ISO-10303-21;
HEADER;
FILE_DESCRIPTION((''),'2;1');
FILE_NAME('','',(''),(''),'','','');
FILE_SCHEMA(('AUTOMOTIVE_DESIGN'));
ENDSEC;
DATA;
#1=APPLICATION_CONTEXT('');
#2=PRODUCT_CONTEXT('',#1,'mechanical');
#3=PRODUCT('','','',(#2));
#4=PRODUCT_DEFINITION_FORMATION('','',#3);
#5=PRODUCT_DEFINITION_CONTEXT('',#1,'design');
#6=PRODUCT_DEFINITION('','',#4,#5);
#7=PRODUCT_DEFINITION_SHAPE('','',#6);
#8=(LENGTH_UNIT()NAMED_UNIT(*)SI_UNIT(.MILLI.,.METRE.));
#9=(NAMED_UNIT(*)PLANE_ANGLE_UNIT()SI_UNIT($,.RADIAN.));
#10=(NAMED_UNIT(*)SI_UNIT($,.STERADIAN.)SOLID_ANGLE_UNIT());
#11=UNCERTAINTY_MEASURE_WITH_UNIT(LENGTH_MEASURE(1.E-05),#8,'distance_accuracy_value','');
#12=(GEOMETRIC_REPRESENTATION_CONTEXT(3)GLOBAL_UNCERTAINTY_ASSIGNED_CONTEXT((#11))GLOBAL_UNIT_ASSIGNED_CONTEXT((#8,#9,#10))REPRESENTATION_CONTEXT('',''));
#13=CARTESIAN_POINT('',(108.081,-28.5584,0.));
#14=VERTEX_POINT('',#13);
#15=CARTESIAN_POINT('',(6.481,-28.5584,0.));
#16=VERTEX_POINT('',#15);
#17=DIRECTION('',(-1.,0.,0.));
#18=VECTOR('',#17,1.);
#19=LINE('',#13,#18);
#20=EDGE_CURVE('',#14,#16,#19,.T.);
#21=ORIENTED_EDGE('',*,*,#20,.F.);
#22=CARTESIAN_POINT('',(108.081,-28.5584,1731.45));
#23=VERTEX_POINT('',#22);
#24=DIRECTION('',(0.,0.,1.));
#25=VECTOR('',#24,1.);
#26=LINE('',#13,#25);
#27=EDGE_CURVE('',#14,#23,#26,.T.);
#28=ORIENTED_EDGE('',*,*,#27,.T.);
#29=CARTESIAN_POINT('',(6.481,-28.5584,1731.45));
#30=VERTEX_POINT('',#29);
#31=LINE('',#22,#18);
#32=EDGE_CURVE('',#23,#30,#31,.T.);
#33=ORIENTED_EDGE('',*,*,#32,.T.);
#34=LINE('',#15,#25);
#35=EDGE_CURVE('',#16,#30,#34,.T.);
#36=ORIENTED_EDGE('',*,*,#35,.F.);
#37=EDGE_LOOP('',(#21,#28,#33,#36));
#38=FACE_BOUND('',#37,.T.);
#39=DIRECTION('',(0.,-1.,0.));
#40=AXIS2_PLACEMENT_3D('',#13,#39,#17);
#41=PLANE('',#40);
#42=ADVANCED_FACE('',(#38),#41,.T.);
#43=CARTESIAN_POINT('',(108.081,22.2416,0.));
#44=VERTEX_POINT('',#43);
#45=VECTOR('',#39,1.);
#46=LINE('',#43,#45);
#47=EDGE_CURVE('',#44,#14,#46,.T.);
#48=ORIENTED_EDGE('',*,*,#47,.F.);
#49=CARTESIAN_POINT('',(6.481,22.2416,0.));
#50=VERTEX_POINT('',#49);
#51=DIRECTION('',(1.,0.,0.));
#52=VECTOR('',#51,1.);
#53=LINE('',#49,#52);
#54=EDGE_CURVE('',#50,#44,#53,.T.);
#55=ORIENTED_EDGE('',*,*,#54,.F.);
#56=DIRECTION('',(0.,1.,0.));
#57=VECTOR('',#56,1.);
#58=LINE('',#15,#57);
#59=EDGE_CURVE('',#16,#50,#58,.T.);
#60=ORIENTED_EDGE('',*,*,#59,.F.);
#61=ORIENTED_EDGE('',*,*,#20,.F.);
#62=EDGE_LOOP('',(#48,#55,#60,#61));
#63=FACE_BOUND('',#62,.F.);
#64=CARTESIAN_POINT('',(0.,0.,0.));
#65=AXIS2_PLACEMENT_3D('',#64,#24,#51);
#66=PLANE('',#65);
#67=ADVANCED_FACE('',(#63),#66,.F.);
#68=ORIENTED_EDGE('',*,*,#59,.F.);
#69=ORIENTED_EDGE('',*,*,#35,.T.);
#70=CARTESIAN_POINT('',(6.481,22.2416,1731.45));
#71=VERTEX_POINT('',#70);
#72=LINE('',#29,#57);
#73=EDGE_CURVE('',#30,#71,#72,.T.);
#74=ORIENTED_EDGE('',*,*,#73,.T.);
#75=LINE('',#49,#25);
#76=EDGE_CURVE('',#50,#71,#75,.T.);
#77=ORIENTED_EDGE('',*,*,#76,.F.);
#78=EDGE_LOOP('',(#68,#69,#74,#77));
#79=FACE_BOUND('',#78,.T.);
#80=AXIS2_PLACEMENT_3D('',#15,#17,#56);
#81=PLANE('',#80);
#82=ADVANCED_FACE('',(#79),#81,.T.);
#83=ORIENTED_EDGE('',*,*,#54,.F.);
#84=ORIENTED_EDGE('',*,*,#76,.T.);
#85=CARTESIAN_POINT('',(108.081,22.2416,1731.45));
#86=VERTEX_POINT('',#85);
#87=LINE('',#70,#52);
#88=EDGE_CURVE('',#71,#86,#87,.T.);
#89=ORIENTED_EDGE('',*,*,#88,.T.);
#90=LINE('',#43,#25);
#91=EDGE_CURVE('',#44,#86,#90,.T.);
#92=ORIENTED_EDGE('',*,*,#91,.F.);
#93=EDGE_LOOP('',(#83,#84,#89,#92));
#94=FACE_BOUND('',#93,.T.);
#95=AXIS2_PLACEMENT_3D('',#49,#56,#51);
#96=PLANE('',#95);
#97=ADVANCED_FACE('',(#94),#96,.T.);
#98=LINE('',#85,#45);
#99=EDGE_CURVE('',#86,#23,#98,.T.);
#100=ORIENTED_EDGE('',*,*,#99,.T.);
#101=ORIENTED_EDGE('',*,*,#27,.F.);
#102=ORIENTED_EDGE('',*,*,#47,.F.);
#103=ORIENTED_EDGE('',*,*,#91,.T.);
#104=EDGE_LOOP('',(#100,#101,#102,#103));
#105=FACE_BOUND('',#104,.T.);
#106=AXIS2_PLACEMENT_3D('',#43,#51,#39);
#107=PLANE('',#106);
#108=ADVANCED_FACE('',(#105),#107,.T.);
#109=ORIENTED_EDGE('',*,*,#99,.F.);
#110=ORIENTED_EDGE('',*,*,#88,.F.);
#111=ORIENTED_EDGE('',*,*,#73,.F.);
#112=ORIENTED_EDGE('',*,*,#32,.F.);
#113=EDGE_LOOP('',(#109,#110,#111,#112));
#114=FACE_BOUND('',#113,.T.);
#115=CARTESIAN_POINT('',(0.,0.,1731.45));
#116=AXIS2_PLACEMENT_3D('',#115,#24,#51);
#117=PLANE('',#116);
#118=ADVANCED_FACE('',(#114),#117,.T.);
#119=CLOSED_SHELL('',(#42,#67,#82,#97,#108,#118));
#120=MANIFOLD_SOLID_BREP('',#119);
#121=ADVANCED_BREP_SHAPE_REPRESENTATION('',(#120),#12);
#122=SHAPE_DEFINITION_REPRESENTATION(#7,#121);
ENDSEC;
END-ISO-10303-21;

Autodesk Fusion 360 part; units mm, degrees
sketch "Sketch1" plane through (0, 0, 0) normal (0, 0, 1) x (1, 0, 0)
  line L0 (6.481, 22.2416) -> (108.081, 22.2416)
  line L1 (108.081, 22.2416) -> (108.081, -28.5584)
  line L2 (108.081, -28.5584) -> (6.481, -28.5584)
  line L3 (6.481, -28.5584) -> (6.481, 22.2416)
extrude "Extrude1" add sketch "Sketch1" along normal blind 1731.45
